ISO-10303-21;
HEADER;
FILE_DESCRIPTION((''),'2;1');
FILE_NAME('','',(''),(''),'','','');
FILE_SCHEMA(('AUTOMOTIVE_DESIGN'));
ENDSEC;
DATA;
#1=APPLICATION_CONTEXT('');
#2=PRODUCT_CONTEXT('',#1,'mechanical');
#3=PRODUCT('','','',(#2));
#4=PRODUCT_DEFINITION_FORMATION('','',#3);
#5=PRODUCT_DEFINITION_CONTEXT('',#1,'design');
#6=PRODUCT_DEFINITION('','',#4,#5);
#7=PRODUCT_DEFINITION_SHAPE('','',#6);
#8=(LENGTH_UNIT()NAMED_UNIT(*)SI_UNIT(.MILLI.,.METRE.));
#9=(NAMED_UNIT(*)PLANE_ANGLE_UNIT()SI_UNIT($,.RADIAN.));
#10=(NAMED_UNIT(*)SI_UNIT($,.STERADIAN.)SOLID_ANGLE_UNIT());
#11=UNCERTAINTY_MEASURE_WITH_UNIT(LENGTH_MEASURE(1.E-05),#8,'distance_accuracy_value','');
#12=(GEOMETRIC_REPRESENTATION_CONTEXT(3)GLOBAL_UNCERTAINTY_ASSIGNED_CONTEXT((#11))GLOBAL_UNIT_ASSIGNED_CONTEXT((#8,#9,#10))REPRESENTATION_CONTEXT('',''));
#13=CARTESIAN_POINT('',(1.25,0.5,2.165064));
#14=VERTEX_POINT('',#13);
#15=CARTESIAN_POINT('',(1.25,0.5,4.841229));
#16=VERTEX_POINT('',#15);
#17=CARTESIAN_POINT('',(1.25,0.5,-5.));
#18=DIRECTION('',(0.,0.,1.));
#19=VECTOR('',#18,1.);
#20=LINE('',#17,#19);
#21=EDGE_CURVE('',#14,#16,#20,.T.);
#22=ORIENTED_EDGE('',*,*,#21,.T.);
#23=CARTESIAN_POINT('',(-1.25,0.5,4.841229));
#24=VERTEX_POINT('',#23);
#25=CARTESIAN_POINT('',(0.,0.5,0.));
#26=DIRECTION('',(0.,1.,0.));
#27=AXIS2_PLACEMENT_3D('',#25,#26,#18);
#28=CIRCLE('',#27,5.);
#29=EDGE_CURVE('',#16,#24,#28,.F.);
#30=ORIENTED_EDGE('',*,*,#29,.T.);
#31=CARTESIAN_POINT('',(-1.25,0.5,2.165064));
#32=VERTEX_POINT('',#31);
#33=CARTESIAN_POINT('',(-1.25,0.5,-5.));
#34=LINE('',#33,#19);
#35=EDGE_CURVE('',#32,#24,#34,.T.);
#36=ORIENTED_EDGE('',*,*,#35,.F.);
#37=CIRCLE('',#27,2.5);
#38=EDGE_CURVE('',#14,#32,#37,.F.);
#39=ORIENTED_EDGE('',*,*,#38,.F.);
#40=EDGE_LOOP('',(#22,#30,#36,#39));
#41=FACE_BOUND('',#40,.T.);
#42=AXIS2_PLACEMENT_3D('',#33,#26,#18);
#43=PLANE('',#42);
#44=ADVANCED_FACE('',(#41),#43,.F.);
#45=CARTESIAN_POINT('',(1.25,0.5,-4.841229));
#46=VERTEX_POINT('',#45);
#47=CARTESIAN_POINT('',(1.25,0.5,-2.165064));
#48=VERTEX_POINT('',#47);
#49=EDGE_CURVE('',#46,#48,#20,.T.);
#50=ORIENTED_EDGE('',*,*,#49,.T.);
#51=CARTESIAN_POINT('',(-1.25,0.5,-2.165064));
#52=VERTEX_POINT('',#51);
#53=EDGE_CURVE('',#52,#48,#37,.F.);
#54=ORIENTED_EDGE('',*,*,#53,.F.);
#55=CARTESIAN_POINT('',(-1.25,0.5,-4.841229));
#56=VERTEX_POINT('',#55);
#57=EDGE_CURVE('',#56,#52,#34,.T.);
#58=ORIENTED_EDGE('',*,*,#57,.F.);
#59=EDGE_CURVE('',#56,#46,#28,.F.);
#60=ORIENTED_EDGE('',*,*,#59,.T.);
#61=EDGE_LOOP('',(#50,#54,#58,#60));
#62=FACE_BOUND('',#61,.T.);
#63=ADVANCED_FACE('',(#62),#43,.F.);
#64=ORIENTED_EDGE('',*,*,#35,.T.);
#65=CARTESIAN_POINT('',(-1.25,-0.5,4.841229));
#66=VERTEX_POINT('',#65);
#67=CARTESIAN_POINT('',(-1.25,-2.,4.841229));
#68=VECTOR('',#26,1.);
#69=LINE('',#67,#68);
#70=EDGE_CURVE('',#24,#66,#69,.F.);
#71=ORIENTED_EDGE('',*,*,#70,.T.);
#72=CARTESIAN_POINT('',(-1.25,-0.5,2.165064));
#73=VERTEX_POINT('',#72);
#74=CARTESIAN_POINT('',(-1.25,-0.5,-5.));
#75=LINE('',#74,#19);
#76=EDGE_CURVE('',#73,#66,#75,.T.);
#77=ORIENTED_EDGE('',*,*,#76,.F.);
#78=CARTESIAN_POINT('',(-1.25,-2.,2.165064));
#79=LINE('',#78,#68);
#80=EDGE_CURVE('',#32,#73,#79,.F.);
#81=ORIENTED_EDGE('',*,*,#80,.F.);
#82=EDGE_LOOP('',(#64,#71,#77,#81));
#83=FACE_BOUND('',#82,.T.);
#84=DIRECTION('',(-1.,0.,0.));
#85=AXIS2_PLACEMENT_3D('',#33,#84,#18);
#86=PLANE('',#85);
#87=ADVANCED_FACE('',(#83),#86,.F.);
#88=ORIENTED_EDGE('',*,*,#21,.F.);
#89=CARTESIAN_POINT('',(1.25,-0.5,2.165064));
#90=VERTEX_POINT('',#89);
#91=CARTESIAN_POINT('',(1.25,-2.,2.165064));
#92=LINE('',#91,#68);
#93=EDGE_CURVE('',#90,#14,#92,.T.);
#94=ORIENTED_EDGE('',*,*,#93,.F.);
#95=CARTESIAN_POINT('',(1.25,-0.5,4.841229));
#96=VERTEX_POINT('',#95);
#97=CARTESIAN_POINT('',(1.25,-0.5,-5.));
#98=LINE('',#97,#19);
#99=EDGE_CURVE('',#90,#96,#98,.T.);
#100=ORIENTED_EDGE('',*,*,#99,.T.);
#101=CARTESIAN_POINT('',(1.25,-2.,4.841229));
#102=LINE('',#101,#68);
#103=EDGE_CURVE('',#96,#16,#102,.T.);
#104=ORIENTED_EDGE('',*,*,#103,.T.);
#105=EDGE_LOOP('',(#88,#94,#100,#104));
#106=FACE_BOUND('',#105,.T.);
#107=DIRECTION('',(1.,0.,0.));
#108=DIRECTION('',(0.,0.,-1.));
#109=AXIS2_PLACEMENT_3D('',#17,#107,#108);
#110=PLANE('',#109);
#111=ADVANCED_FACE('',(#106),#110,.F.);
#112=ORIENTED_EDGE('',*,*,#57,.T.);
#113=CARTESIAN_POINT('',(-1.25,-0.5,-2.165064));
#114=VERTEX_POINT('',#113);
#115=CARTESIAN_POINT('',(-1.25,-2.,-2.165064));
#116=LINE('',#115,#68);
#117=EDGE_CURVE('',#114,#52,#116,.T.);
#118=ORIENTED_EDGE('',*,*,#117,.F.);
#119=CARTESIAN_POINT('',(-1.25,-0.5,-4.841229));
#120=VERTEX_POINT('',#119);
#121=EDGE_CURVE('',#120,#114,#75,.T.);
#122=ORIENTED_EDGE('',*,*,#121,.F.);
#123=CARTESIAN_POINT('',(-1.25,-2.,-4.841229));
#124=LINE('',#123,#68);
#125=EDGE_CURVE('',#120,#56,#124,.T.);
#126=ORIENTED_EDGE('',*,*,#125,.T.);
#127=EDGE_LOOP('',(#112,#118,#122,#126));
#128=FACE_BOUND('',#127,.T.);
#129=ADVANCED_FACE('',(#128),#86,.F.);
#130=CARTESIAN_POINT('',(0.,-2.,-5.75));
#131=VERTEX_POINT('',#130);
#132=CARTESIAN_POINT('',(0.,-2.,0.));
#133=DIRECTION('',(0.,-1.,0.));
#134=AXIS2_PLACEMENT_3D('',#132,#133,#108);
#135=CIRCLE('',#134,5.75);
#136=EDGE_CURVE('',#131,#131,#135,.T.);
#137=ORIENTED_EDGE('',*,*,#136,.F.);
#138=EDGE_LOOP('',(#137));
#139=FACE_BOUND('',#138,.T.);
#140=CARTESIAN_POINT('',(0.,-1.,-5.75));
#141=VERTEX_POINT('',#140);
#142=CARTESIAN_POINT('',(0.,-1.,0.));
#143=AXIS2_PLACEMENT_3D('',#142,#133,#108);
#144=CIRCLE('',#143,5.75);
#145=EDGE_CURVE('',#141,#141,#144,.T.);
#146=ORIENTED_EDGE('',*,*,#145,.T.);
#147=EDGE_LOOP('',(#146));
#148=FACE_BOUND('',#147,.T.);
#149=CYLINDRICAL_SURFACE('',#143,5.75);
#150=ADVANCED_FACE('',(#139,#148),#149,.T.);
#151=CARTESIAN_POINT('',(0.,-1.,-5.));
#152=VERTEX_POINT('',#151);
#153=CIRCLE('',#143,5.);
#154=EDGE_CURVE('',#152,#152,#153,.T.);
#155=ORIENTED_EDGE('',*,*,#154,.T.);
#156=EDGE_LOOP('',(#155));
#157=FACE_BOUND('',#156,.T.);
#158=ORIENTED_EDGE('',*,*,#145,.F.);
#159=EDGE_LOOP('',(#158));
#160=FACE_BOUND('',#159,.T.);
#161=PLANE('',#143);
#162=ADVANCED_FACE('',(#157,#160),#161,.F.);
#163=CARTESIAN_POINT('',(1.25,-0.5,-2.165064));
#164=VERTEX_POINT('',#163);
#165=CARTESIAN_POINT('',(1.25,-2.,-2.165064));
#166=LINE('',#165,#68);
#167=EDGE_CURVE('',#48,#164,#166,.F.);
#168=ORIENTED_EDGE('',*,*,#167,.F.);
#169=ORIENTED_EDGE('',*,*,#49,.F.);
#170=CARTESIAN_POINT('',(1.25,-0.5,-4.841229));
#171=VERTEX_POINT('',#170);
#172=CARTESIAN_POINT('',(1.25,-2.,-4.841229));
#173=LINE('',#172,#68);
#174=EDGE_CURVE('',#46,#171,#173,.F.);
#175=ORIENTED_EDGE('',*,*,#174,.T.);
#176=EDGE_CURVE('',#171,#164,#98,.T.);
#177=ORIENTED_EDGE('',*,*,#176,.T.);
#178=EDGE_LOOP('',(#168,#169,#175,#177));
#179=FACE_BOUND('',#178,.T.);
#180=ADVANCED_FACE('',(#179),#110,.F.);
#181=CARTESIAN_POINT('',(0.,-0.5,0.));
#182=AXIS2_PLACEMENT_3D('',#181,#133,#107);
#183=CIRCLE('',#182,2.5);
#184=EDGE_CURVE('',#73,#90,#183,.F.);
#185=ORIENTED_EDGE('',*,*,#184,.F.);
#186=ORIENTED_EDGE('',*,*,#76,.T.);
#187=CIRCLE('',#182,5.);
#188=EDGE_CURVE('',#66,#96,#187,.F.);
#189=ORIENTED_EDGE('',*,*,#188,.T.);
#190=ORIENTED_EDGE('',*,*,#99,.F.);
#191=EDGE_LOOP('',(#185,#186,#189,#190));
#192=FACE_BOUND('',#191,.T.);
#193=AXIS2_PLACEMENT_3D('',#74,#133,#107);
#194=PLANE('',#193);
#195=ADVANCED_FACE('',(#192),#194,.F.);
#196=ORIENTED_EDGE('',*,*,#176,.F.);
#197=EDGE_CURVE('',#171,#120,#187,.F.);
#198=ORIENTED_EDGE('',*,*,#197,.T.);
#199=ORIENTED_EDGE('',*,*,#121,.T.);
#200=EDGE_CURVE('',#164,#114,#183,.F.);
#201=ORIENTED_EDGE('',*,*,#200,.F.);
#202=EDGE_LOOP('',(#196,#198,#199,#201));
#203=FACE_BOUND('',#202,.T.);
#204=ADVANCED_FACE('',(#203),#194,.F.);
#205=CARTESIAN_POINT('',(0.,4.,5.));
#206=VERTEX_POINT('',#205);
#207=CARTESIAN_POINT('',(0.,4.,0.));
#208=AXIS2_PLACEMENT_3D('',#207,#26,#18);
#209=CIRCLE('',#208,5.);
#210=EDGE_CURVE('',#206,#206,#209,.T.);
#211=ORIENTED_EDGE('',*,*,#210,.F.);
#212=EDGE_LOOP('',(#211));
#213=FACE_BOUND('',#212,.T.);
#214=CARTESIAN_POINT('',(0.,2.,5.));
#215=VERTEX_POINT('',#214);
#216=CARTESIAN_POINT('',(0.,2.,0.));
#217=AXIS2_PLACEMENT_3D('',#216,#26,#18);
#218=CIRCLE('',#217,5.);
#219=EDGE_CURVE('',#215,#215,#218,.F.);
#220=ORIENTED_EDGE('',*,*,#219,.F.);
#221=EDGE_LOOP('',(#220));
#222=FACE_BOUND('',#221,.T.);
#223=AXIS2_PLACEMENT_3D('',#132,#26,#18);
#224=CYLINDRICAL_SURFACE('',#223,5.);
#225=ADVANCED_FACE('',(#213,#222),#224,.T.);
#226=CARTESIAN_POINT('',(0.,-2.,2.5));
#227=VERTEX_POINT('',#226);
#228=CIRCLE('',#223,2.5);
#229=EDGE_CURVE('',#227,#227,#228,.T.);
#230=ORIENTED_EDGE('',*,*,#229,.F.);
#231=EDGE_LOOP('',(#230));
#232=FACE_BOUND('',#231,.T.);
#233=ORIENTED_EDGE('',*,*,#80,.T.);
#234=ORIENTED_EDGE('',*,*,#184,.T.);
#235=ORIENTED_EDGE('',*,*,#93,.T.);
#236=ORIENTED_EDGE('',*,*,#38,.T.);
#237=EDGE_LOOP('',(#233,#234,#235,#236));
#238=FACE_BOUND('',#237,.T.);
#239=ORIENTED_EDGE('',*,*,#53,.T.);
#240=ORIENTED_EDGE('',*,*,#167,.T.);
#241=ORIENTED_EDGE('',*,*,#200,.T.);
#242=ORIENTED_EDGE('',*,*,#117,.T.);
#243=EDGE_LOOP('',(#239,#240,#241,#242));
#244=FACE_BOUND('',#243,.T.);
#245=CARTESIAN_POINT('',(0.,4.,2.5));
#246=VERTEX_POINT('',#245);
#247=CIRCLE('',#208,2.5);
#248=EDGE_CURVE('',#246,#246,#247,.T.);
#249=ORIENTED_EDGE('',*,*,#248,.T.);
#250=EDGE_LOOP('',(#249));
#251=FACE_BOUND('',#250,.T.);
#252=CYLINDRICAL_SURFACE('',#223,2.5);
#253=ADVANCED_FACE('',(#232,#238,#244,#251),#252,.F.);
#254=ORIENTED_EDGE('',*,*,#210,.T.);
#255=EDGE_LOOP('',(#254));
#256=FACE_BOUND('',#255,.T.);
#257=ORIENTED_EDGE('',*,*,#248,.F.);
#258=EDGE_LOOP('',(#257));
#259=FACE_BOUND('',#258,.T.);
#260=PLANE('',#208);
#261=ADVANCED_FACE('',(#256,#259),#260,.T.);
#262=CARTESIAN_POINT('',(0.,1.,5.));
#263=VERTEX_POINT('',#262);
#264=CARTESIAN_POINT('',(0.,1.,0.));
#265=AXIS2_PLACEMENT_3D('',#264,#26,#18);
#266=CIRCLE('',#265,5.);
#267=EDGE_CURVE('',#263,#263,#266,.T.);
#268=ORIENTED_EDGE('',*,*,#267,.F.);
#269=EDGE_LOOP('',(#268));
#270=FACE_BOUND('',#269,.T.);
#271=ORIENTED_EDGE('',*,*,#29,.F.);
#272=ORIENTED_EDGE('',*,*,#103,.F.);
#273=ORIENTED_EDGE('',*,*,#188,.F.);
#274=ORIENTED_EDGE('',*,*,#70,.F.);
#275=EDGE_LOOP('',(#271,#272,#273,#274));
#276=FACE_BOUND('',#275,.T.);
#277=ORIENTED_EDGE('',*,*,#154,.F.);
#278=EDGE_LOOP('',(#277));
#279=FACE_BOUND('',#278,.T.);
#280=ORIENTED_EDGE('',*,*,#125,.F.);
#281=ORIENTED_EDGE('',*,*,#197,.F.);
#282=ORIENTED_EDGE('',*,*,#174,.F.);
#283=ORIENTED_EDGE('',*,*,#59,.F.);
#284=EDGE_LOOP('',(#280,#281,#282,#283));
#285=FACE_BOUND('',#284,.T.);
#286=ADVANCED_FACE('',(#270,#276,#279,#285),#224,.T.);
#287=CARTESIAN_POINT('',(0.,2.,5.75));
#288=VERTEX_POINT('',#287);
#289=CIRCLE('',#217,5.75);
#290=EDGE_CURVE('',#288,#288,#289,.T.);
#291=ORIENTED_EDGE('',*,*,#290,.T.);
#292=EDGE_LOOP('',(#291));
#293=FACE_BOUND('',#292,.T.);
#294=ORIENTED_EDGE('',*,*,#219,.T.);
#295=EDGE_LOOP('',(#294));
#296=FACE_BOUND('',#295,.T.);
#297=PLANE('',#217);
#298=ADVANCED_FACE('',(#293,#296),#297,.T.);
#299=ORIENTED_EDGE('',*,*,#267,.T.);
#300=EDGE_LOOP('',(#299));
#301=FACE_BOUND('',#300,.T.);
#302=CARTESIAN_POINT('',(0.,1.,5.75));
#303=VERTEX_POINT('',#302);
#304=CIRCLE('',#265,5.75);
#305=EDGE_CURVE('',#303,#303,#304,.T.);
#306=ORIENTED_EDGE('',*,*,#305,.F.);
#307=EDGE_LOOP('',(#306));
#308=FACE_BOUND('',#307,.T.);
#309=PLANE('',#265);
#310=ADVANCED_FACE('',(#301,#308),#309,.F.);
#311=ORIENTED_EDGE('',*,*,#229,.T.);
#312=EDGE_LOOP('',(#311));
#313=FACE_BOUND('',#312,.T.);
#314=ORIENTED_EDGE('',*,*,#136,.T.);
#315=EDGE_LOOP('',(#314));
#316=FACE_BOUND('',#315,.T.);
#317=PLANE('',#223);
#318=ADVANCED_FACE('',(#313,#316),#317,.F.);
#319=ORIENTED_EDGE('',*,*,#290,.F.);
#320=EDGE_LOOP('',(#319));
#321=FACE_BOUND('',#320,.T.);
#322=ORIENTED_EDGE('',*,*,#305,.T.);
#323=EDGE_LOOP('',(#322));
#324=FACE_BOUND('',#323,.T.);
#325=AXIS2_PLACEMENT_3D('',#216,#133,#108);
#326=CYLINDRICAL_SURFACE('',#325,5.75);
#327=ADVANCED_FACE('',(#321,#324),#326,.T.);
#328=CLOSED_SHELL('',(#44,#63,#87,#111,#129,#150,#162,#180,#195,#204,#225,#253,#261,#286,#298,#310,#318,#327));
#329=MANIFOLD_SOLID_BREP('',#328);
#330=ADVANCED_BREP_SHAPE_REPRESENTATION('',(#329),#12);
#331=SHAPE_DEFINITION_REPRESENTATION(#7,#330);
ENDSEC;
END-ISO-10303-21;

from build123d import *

# Parameters (mm, degrees)
SKETCH1_R                = 5
SKETCH1_R_2              = 2.5
BOSS_EXTRUDE1_DEPTH      = 4
BOSS_EXTRUDE1_DEPTH_BACK = 2
SKETCH2_W                = 2.5
SKETCH2_H                = 1
CUT_EXTRUDE1_DEPTH       = 6
CUT_EXTRUDE1_DEPTH_BACK  = 6
SKETCH3_R                = 5.75
SKETCH3_R_2              = 5
BOSS_EXTRUDE2_DEPTH      = 1
SKETCH5_R                = 5.75
SKETCH5_R_2              = 5
BOSS_EXTRUDE3_DEPTH      = 1


with BuildPart() as part:
    # Sketch1 → Boss-Extrude1 (new body, two sides)
    with BuildSketch(Plane(origin=(0, 0, 0), x_dir=(1, 0, 0), z_dir=(0, 1, 0))) as boss_extrude1_sk:
        Circle(SKETCH1_R)
        Circle(SKETCH1_R_2, mode=Mode.SUBTRACT)
    extrude(amount=BOSS_EXTRUDE1_DEPTH)
    extrude(boss_extrude1_sk.sketch, amount=-BOSS_EXTRUDE1_DEPTH_BACK)

    # Sketch2 → Cut-Extrude1 (cut, two sides)
    with BuildSketch(Plane.XY) as cut_extrude1_sk:
        Rectangle(SKETCH2_W, SKETCH2_H)
    extrude(amount=CUT_EXTRUDE1_DEPTH, mode=Mode.SUBTRACT)
    extrude(cut_extrude1_sk.sketch, amount=-CUT_EXTRUDE1_DEPTH_BACK, mode=Mode.SUBTRACT)

    # Sketch3 → Boss-Extrude2 (add)
    with BuildSketch(Plane.XZ.offset(2)):
        Circle(SKETCH3_R)
        Circle(SKETCH3_R_2, mode=Mode.SUBTRACT)
    extrude(amount=-BOSS_EXTRUDE2_DEPTH)

    # Sketch5 → Boss-Extrude3 (add)
    with BuildSketch(Plane(origin=(0, 1, 0), x_dir=(1, 0, 0), z_dir=(0, 1, 0))):
        Circle(SKETCH5_R)
        Circle(SKETCH5_R_2, mode=Mode.SUBTRACT)
    extrude(amount=BOSS_EXTRUDE3_DEPTH)


solid = part.part
